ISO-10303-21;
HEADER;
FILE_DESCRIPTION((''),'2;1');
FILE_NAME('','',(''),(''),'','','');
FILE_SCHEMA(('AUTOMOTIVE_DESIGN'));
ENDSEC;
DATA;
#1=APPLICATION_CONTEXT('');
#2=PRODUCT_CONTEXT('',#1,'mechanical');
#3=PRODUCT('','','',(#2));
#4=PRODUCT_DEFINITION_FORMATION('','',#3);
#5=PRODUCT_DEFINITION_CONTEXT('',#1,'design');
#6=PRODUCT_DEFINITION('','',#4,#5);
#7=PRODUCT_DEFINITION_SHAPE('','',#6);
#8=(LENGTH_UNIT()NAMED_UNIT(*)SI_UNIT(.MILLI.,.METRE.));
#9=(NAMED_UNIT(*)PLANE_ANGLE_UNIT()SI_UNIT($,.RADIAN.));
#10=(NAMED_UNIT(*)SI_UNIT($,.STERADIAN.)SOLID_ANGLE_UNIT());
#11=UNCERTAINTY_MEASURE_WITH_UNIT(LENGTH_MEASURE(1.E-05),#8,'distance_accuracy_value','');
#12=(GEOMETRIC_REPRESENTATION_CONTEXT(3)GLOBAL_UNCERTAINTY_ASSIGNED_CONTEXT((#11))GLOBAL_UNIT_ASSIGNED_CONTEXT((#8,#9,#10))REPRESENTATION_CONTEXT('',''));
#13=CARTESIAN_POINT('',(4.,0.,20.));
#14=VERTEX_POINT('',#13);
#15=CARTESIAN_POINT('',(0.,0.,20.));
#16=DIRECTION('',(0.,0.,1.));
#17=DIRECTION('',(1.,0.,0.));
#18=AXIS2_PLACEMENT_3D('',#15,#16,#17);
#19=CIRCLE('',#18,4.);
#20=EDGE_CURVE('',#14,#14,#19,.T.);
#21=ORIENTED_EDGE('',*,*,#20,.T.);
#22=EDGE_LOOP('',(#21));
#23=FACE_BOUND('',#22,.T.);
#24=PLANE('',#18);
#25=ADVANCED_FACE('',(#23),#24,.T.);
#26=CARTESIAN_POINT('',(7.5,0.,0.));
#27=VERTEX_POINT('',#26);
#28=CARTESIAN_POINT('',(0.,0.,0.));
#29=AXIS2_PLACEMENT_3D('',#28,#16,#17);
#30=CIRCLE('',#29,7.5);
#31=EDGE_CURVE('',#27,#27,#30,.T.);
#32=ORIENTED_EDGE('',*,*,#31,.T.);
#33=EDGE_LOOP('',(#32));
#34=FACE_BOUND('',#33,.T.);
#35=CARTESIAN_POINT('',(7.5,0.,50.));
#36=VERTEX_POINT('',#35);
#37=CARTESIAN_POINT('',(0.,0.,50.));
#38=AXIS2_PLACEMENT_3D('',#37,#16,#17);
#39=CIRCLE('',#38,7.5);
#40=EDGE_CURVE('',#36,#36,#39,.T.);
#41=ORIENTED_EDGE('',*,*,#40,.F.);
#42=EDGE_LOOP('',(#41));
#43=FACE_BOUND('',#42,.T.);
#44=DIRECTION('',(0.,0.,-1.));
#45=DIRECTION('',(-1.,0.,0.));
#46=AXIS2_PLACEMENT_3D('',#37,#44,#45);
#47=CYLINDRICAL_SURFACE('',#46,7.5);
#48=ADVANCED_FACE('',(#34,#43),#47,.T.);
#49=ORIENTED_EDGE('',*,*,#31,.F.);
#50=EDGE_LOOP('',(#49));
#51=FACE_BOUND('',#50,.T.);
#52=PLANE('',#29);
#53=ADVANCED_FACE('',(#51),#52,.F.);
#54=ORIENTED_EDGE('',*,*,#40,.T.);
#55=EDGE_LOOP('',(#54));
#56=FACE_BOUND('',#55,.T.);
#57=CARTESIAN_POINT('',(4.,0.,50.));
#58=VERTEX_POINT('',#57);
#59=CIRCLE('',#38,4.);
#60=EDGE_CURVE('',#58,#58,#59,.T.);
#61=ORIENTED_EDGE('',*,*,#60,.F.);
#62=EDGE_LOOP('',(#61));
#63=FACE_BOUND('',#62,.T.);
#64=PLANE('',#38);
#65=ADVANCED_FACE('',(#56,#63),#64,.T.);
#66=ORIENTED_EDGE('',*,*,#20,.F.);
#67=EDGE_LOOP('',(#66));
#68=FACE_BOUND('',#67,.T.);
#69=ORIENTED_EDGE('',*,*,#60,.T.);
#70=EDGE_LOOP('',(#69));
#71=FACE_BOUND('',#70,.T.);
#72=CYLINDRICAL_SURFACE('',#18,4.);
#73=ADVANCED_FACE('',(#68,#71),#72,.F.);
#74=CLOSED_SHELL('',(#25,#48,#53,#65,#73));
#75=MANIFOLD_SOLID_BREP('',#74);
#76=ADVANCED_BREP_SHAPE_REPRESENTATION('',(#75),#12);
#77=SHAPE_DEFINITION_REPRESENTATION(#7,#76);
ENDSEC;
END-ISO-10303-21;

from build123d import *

# Parameters (mm, degrees)
SKETCH_1_R          = 7.5
EXTRUDE_1_DEPTH     = 50
SKETCH_2_R          = 4
CUT_EXTRUDE_1_DEPTH = 30


with BuildPart() as part:
    # 스케치1 → 보스-돌출1 (new body)
    with BuildSketch(Plane.XY):
        Circle(SKETCH_1_R)
    extrude(amount=EXTRUDE_1_DEPTH)

    # 스케치2 → 컷-돌출1 (cut)
    with BuildSketch(Plane.XY.offset(50)):
        Circle(SKETCH_2_R)
    extrude(amount=-CUT_EXTRUDE_1_DEPTH, mode=Mode.SUBTRACT)


solid = part.part
